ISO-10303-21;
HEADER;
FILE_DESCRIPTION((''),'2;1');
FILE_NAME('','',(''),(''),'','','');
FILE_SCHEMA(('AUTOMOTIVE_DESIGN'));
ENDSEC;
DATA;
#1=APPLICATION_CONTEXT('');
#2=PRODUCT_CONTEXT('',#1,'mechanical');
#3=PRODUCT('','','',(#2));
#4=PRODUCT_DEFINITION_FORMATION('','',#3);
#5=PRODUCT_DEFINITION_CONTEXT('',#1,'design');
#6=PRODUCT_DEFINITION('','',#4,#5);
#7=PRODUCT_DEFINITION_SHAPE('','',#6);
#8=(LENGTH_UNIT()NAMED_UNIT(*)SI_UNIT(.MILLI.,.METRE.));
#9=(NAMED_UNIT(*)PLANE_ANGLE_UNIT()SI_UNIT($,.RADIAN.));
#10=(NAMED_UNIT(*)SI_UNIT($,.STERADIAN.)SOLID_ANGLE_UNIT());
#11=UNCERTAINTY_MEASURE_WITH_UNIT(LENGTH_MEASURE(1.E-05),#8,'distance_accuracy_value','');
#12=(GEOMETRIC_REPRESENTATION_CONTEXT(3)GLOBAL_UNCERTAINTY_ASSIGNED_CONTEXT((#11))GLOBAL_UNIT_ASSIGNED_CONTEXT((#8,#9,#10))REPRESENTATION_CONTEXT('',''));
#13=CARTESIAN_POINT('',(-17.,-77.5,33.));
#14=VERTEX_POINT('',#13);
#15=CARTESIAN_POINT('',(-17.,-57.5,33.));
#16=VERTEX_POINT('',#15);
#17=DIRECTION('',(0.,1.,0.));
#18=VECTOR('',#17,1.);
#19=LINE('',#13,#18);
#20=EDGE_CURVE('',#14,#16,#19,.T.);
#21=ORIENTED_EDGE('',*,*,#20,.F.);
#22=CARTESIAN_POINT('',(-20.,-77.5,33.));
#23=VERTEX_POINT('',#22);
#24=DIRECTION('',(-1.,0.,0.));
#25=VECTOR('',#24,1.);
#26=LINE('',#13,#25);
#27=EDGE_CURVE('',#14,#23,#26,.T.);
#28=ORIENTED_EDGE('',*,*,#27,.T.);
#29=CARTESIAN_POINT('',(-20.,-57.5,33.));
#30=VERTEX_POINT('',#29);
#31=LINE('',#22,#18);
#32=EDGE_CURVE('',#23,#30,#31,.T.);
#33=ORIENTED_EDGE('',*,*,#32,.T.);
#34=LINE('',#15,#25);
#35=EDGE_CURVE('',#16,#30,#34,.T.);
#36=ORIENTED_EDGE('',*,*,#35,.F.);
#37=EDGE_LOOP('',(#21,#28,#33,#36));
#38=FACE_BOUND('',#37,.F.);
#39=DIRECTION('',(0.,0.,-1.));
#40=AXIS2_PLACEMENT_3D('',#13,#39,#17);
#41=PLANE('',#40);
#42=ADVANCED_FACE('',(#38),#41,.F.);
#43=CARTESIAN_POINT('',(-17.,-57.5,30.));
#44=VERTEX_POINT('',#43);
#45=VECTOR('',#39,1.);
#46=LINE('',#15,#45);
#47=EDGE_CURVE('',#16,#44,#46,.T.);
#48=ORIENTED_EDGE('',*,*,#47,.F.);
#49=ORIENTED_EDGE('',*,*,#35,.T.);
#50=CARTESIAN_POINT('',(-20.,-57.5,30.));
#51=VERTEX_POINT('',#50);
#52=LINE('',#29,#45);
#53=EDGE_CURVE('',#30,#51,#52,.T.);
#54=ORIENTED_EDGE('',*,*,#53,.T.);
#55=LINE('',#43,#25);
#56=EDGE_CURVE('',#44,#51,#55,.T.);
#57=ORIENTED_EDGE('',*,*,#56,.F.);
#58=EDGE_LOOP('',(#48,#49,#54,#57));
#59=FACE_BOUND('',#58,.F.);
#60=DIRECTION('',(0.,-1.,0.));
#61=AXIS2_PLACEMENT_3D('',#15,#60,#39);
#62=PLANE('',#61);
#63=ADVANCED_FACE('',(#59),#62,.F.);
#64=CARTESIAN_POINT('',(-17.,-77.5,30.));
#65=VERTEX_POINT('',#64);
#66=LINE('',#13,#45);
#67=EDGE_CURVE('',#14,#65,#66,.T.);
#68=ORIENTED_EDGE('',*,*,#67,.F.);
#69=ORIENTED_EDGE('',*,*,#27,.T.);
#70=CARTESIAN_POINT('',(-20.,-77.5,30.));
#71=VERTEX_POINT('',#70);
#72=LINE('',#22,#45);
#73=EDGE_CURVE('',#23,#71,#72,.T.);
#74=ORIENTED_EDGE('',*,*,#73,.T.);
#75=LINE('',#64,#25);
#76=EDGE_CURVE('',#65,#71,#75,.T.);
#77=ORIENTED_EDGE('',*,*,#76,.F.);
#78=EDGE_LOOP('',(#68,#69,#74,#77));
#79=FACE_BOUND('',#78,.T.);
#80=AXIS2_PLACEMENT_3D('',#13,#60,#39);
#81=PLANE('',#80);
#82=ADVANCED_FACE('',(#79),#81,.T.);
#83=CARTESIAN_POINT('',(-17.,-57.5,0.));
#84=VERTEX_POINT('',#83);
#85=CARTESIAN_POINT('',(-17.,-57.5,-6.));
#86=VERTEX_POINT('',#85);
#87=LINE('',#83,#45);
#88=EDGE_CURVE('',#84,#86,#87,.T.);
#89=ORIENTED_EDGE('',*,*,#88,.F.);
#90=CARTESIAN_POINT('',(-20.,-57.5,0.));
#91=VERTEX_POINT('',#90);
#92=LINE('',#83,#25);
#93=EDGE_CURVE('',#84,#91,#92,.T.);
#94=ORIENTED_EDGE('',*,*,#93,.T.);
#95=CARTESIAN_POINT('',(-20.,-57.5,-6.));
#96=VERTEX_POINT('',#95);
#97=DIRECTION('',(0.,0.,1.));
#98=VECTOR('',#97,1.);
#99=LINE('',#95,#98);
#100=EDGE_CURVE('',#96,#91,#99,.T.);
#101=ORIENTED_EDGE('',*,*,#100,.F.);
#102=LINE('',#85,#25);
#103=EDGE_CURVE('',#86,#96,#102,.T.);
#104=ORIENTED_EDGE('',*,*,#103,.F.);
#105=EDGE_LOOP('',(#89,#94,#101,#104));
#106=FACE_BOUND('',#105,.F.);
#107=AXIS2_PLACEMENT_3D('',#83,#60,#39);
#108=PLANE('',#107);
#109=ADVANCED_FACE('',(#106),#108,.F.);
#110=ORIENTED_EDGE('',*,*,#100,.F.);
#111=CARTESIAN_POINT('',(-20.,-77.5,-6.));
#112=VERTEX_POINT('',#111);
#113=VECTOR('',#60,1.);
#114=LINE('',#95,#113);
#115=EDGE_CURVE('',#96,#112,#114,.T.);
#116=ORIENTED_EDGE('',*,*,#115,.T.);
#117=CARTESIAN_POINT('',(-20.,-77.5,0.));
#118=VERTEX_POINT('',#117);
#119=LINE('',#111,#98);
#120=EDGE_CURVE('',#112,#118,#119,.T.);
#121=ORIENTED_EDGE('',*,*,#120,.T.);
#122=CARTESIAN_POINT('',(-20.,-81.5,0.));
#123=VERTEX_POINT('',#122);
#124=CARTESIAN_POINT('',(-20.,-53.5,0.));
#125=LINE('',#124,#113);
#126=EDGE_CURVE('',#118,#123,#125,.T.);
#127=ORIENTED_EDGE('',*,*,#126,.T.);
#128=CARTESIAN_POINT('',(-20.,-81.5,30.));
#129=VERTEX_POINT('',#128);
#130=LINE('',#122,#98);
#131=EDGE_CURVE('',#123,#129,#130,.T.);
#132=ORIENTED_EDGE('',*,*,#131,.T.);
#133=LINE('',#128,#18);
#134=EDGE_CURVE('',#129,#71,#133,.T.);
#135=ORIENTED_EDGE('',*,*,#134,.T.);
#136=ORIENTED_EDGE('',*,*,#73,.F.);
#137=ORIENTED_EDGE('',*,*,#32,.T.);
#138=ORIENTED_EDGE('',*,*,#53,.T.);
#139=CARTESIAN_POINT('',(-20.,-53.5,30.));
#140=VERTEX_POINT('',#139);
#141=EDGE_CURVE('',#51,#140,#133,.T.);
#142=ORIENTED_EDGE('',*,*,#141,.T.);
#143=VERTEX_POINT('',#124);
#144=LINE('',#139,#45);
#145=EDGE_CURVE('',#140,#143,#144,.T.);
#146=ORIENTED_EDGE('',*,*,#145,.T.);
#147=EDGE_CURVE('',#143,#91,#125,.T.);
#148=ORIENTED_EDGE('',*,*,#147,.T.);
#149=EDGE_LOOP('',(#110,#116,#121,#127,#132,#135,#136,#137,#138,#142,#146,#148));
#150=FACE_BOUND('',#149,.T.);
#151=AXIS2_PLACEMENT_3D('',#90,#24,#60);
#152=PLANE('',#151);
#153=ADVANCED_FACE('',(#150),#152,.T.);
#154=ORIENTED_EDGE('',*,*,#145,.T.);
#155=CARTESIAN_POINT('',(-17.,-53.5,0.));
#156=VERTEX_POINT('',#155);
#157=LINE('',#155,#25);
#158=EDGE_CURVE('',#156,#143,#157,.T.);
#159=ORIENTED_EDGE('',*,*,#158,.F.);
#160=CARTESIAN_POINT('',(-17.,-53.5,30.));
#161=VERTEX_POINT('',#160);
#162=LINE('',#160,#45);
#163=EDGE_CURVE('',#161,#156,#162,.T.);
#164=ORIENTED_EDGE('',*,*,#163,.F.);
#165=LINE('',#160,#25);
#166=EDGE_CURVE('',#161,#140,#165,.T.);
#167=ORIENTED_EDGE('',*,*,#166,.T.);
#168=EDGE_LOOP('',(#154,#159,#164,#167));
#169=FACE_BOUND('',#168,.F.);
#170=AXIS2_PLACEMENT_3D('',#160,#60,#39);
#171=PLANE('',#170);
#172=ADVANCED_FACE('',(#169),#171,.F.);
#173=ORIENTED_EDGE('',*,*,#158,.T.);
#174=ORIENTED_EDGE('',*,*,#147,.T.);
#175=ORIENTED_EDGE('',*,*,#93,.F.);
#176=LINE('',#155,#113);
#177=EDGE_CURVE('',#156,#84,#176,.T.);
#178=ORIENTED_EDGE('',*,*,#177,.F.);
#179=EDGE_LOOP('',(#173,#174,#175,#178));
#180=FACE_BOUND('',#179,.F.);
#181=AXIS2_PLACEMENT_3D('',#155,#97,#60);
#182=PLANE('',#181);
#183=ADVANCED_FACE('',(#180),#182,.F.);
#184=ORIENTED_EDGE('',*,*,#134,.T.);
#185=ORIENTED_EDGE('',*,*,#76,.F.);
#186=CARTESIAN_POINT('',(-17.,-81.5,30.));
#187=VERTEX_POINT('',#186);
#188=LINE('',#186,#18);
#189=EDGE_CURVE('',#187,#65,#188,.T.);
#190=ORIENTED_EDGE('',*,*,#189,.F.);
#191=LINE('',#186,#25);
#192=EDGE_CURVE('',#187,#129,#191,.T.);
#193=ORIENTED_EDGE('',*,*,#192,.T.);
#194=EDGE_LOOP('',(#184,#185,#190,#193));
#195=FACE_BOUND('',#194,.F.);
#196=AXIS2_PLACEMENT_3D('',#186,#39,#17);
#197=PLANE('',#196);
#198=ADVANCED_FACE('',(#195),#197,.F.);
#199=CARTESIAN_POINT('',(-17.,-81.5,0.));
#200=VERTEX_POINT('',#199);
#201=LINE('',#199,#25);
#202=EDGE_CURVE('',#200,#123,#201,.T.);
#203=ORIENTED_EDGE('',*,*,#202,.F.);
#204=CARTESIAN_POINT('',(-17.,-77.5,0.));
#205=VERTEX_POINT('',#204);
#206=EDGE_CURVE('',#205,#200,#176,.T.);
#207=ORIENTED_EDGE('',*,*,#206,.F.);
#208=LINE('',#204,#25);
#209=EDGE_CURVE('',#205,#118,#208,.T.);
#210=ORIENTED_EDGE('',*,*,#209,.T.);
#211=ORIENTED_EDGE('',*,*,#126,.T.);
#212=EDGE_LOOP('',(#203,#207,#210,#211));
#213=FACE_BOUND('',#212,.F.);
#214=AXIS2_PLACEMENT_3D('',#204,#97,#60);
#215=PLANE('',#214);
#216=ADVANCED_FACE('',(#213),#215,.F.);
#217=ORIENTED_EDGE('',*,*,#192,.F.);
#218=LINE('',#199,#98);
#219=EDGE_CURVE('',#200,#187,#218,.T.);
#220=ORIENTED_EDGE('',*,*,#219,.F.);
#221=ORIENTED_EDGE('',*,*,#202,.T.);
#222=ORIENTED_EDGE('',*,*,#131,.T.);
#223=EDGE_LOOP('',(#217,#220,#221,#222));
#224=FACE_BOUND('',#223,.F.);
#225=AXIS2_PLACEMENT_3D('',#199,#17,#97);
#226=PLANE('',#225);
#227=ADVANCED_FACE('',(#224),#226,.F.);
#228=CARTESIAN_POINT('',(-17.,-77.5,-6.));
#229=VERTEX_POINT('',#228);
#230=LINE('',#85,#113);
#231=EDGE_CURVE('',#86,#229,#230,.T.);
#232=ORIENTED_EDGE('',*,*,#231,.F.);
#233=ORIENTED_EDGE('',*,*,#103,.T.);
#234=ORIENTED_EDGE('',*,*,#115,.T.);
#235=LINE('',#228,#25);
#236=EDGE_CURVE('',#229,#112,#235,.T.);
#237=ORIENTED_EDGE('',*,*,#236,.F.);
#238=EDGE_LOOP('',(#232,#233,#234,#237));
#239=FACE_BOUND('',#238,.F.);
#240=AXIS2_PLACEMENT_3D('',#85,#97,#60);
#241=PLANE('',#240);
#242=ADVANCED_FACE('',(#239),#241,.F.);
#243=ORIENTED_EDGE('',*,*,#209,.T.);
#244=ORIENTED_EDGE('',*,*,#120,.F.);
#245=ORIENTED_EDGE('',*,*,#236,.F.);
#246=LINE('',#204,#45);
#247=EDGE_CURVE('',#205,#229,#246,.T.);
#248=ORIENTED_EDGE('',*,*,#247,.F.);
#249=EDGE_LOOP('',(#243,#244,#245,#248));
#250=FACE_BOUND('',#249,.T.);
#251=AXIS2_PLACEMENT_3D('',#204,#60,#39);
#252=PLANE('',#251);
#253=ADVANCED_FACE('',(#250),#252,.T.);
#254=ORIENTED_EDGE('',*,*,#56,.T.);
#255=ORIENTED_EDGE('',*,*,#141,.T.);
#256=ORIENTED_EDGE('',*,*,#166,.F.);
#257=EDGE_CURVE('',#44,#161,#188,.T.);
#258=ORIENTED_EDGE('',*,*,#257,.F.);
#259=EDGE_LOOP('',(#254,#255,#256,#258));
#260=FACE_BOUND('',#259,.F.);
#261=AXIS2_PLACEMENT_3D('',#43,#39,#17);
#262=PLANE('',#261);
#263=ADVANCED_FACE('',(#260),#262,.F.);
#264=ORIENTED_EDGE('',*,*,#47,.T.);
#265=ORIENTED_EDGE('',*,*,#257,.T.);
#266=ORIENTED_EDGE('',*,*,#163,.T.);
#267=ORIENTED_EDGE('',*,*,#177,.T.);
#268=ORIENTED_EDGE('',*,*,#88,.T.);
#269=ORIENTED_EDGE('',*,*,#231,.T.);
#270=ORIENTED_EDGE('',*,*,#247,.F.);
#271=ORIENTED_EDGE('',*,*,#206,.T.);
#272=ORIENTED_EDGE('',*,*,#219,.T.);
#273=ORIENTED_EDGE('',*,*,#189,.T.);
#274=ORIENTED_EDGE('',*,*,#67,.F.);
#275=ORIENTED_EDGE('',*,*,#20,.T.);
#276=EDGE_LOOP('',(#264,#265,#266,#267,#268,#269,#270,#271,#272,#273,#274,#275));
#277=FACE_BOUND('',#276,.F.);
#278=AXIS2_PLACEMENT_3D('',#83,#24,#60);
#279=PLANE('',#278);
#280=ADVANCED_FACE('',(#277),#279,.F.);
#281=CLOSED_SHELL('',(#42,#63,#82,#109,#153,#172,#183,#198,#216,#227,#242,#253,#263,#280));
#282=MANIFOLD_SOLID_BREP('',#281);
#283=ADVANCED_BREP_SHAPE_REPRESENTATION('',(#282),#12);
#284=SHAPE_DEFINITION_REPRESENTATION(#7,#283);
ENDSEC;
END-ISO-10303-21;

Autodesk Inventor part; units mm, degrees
ref_plane "YZ Plane" through (0, 0, 0) normal (1, 0, 0) x (0, 1, 0)
ref_plane "XZ Plane" through (0, 0, 0) normal (0, 1, 0) x (-1, 0, 0)
ref_plane "XY Plane" through (0, 0, 0) normal (0, 0, 1) x (1, 0, 0)
ref_plane "Work Plane1" through (-17, -57.5, 0) normal (-1, 0, 0) x (0, -1, 0)
sketch "Sketch2" plane through (-17, -57.5, 0) normal (-1, 0, 0) x (0, -1, 0)
  line L0 (0, -3) -> (0, -6) projected
  line L1 (20, -3) -> (20, -6) projected
  line L2 (20, 33) -> (20, 30) projected
  line L3 (0, 33) -> (0, 30) projected
  line L4 (0, 0) -> (0, -3) projected
  line L5 (20, 0) -> (20, -3) projected
  line L6 (0, -6) -> (20, -6)
  line L7 (20, -6) -> (20, 33)
  line L8 (20, 33) -> (0, 33)
  line L9 (0, 33) -> (0, -6)
  line L10 (-4, 0) -> (24, 0)
  line L11 (24, 0) -> (24, 30)
  line L12 (24, 30) -> (-4, 30)
  line L13 (-4, 30) -> (-4, 0)
  point P0 (-57.5, 0)
  point P1 (0, 30)
  point P2 (20, -6)
  point P3 (20, 0)
  point P4 (20, 30)
  point P5 (0, 33)
  dimension "d0" = 28
  dimension "d1" = 4
extrude "Extrusion1" add sketch "Sketch2" along normal blind 3
properties part number "thanhnang"
